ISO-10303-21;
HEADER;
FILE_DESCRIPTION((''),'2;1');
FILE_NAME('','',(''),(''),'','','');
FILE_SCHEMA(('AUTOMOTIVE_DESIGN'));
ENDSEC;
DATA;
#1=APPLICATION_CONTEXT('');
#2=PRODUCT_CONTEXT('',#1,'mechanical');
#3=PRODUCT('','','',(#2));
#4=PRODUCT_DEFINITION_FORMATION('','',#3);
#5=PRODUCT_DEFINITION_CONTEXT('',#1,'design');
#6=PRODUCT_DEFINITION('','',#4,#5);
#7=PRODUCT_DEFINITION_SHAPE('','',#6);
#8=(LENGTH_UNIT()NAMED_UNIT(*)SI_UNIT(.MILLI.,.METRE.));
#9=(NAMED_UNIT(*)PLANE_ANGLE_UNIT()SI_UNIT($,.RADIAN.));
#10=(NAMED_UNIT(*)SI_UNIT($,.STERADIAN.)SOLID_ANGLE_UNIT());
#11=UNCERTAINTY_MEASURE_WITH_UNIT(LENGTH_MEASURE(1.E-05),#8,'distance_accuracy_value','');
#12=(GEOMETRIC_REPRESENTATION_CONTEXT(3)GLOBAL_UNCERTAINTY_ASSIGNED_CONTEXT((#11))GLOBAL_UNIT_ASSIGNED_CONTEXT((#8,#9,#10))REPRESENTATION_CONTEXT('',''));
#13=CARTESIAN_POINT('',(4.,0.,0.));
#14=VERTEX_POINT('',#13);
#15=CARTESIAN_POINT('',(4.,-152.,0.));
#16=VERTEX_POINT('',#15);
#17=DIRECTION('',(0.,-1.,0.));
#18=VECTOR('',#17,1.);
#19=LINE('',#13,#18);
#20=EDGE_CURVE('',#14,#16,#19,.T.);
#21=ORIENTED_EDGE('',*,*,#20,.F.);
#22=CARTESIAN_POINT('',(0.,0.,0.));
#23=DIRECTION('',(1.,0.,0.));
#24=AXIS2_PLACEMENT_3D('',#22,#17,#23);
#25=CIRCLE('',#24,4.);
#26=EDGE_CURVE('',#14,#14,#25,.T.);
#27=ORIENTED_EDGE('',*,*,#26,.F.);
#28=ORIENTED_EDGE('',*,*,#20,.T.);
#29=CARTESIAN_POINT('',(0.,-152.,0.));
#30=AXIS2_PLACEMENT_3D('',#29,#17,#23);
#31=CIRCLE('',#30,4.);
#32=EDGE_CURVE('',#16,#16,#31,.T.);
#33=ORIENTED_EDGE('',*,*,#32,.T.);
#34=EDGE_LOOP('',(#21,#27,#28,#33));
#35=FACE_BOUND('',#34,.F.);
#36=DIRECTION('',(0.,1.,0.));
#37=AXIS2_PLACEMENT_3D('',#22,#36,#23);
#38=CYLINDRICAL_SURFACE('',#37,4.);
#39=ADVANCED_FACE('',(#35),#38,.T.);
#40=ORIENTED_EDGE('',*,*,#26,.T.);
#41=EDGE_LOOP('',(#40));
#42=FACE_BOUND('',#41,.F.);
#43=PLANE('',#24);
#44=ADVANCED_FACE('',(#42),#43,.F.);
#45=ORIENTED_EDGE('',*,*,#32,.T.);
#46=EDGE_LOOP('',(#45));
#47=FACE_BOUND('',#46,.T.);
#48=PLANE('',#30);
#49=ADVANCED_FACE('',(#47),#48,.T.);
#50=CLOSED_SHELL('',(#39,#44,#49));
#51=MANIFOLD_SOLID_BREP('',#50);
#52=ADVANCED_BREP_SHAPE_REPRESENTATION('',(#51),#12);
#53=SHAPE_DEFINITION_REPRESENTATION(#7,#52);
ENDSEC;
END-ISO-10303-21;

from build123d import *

# Parameters (mm, degrees)
SKETCH_R  = 4
PAD_DEPTH = 152


with BuildPart() as part:
    # Sketch → Pad (new body)
    with BuildSketch(Plane.XZ):
        Circle(SKETCH_R)
    extrude(amount=PAD_DEPTH)


solid = part.part
